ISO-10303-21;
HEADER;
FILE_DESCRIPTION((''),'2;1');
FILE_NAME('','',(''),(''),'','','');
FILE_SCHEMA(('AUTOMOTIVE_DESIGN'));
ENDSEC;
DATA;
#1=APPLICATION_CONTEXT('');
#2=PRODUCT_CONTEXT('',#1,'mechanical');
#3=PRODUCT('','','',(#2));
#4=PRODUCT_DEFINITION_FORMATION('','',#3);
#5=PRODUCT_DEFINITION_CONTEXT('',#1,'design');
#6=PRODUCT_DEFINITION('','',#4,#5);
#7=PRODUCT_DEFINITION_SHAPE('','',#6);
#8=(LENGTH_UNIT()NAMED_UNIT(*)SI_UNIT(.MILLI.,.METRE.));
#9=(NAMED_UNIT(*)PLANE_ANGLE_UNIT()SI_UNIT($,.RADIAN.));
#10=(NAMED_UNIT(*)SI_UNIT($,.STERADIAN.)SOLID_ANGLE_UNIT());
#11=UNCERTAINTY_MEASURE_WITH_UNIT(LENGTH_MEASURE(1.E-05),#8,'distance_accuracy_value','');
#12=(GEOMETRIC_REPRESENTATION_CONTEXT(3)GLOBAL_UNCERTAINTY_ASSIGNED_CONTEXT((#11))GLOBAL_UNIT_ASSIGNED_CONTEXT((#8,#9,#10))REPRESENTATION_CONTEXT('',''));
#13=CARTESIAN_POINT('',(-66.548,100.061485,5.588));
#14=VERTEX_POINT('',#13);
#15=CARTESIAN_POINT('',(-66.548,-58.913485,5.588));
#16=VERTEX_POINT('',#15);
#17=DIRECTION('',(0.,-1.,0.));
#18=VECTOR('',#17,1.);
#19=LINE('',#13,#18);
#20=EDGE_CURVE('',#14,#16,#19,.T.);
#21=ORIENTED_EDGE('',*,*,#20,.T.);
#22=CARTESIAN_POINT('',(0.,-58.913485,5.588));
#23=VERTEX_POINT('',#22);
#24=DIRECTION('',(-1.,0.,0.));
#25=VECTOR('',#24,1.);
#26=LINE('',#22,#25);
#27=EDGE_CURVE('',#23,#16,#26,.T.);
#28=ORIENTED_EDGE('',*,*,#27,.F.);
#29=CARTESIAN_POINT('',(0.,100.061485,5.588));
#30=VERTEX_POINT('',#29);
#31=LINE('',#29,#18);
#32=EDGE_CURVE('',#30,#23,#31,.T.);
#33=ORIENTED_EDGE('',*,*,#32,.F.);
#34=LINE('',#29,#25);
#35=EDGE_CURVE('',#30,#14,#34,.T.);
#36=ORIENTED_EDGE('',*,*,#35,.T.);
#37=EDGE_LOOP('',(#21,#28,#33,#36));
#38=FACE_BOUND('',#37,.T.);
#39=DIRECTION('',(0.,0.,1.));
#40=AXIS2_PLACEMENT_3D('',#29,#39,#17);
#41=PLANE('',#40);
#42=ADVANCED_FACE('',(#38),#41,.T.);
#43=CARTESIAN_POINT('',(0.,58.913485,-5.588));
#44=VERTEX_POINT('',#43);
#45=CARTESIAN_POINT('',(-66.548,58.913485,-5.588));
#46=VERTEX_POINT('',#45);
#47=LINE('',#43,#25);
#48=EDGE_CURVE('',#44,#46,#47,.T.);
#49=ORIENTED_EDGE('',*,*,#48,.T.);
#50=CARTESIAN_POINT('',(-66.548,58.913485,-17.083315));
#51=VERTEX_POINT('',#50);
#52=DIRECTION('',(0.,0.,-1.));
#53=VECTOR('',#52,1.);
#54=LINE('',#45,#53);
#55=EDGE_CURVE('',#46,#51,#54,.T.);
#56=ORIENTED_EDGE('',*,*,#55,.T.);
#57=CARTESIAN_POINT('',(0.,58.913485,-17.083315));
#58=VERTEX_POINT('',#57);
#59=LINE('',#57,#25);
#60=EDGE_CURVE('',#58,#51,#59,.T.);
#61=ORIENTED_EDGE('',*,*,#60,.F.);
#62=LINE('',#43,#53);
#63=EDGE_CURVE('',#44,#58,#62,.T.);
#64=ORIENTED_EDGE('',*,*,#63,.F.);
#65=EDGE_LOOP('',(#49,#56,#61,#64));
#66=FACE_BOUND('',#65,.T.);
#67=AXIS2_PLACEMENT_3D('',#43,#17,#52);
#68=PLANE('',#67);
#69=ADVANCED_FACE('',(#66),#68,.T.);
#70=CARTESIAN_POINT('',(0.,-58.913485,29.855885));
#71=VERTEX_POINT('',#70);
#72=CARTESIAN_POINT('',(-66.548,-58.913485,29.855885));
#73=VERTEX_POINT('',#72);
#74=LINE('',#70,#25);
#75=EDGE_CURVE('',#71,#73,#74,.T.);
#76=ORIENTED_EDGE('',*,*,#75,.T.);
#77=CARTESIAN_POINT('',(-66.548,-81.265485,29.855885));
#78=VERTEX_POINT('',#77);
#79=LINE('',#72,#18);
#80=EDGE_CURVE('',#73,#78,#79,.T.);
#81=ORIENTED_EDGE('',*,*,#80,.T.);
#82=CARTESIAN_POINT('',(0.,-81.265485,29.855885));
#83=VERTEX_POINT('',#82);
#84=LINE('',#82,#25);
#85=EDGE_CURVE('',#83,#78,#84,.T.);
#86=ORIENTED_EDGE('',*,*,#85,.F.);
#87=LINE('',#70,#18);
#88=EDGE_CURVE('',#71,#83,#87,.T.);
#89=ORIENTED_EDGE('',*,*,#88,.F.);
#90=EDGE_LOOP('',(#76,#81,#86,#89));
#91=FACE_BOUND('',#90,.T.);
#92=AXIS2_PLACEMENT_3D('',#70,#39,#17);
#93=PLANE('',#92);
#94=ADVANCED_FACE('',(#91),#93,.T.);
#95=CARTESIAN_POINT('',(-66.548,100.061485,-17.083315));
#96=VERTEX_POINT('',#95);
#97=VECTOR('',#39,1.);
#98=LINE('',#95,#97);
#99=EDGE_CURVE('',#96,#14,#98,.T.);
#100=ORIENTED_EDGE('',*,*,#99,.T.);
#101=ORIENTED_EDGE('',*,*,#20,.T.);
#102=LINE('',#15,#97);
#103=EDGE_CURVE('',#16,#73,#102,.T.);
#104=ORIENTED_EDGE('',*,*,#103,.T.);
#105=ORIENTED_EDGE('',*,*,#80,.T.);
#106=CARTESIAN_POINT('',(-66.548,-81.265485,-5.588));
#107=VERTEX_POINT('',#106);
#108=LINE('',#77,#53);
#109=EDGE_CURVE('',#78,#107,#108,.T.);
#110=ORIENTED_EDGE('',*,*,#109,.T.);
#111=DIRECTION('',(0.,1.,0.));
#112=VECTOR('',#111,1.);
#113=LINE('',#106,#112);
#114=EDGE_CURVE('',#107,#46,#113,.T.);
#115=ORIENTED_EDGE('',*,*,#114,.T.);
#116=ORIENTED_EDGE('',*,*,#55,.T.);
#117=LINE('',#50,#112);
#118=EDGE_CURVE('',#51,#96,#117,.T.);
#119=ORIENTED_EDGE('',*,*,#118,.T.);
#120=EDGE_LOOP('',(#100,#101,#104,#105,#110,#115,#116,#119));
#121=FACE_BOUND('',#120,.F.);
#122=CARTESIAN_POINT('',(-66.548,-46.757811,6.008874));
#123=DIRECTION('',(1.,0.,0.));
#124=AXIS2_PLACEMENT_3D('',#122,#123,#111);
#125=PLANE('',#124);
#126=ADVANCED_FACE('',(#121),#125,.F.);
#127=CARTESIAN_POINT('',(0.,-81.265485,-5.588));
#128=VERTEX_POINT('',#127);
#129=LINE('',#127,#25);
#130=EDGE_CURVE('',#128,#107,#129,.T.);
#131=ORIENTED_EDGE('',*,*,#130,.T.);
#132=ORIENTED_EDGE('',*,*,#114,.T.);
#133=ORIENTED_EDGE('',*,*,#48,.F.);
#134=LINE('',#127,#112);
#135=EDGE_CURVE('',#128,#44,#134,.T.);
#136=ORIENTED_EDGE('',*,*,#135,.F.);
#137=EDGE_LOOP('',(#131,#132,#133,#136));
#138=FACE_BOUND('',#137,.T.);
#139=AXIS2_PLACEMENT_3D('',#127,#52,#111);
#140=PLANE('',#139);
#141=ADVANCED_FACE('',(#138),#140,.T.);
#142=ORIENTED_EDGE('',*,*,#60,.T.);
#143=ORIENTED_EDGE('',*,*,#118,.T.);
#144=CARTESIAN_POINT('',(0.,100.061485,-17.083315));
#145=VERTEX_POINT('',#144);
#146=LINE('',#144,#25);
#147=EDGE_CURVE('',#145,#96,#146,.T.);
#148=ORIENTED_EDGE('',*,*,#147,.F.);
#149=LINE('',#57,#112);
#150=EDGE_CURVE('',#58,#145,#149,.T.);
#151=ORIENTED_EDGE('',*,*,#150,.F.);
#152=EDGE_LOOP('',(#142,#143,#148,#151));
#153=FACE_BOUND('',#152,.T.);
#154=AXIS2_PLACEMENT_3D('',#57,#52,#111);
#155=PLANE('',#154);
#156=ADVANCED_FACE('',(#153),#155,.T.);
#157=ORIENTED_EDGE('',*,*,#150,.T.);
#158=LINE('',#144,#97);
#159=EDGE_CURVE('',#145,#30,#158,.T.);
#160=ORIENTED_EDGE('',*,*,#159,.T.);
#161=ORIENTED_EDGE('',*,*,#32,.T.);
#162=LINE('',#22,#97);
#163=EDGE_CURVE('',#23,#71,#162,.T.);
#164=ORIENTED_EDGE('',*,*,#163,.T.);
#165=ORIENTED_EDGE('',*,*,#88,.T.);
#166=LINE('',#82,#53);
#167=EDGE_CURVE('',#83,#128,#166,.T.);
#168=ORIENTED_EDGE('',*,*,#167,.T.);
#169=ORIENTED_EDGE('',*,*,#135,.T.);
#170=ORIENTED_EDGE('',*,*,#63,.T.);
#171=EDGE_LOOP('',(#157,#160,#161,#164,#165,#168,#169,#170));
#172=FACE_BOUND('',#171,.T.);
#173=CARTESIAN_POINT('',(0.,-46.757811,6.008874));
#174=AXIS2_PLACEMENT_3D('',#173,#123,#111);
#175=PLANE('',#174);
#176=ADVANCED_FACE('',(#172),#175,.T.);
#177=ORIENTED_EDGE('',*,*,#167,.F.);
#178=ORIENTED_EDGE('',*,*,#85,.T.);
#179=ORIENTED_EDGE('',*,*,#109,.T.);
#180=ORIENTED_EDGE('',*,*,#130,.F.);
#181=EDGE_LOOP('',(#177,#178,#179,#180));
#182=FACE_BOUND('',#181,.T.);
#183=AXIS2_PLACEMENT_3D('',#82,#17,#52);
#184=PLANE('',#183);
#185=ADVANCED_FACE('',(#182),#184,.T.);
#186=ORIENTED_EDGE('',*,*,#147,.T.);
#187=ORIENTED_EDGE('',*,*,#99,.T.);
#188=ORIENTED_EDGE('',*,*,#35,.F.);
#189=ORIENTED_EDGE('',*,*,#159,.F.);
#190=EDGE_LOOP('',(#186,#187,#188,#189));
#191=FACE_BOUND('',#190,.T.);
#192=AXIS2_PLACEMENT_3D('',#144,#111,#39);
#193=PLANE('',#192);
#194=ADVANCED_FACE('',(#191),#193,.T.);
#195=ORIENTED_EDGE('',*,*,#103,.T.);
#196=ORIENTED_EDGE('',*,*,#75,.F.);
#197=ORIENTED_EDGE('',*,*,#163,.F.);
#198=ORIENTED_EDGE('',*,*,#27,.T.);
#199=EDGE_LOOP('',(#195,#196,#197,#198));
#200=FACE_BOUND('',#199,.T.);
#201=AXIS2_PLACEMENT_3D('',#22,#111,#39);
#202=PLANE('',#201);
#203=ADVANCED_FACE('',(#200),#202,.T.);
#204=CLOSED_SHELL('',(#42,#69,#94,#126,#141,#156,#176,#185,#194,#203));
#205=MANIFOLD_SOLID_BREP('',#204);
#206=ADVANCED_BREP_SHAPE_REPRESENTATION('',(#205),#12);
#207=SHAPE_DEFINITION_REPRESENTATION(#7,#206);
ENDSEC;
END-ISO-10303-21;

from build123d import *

# Parameters (mm, degrees)
F1_DEPTH = 66.548


with BuildPart() as f1:
    # F0 (on Right) → F1 (new body)
    with BuildSketch(Plane.YZ):
        Polygon((0, -5.588), (0, 5.588), (-58.913485, 5.588), (-58.913485, 29.855885), (-81.265485, 29.855885), (-81.265485, 5.588), (-81.265485, -5.588), (-58.913485, -5.588), align=None)
        Polygon((100.061485, 5.588), (58.913485, 5.588), (0, 5.588), (0, -5.588), (58.913485, -5.588), (58.913485, -17.083315), (100.061485, -17.083315), align=None)
    extrude(amount=-F1_DEPTH)


solid = f1.part
